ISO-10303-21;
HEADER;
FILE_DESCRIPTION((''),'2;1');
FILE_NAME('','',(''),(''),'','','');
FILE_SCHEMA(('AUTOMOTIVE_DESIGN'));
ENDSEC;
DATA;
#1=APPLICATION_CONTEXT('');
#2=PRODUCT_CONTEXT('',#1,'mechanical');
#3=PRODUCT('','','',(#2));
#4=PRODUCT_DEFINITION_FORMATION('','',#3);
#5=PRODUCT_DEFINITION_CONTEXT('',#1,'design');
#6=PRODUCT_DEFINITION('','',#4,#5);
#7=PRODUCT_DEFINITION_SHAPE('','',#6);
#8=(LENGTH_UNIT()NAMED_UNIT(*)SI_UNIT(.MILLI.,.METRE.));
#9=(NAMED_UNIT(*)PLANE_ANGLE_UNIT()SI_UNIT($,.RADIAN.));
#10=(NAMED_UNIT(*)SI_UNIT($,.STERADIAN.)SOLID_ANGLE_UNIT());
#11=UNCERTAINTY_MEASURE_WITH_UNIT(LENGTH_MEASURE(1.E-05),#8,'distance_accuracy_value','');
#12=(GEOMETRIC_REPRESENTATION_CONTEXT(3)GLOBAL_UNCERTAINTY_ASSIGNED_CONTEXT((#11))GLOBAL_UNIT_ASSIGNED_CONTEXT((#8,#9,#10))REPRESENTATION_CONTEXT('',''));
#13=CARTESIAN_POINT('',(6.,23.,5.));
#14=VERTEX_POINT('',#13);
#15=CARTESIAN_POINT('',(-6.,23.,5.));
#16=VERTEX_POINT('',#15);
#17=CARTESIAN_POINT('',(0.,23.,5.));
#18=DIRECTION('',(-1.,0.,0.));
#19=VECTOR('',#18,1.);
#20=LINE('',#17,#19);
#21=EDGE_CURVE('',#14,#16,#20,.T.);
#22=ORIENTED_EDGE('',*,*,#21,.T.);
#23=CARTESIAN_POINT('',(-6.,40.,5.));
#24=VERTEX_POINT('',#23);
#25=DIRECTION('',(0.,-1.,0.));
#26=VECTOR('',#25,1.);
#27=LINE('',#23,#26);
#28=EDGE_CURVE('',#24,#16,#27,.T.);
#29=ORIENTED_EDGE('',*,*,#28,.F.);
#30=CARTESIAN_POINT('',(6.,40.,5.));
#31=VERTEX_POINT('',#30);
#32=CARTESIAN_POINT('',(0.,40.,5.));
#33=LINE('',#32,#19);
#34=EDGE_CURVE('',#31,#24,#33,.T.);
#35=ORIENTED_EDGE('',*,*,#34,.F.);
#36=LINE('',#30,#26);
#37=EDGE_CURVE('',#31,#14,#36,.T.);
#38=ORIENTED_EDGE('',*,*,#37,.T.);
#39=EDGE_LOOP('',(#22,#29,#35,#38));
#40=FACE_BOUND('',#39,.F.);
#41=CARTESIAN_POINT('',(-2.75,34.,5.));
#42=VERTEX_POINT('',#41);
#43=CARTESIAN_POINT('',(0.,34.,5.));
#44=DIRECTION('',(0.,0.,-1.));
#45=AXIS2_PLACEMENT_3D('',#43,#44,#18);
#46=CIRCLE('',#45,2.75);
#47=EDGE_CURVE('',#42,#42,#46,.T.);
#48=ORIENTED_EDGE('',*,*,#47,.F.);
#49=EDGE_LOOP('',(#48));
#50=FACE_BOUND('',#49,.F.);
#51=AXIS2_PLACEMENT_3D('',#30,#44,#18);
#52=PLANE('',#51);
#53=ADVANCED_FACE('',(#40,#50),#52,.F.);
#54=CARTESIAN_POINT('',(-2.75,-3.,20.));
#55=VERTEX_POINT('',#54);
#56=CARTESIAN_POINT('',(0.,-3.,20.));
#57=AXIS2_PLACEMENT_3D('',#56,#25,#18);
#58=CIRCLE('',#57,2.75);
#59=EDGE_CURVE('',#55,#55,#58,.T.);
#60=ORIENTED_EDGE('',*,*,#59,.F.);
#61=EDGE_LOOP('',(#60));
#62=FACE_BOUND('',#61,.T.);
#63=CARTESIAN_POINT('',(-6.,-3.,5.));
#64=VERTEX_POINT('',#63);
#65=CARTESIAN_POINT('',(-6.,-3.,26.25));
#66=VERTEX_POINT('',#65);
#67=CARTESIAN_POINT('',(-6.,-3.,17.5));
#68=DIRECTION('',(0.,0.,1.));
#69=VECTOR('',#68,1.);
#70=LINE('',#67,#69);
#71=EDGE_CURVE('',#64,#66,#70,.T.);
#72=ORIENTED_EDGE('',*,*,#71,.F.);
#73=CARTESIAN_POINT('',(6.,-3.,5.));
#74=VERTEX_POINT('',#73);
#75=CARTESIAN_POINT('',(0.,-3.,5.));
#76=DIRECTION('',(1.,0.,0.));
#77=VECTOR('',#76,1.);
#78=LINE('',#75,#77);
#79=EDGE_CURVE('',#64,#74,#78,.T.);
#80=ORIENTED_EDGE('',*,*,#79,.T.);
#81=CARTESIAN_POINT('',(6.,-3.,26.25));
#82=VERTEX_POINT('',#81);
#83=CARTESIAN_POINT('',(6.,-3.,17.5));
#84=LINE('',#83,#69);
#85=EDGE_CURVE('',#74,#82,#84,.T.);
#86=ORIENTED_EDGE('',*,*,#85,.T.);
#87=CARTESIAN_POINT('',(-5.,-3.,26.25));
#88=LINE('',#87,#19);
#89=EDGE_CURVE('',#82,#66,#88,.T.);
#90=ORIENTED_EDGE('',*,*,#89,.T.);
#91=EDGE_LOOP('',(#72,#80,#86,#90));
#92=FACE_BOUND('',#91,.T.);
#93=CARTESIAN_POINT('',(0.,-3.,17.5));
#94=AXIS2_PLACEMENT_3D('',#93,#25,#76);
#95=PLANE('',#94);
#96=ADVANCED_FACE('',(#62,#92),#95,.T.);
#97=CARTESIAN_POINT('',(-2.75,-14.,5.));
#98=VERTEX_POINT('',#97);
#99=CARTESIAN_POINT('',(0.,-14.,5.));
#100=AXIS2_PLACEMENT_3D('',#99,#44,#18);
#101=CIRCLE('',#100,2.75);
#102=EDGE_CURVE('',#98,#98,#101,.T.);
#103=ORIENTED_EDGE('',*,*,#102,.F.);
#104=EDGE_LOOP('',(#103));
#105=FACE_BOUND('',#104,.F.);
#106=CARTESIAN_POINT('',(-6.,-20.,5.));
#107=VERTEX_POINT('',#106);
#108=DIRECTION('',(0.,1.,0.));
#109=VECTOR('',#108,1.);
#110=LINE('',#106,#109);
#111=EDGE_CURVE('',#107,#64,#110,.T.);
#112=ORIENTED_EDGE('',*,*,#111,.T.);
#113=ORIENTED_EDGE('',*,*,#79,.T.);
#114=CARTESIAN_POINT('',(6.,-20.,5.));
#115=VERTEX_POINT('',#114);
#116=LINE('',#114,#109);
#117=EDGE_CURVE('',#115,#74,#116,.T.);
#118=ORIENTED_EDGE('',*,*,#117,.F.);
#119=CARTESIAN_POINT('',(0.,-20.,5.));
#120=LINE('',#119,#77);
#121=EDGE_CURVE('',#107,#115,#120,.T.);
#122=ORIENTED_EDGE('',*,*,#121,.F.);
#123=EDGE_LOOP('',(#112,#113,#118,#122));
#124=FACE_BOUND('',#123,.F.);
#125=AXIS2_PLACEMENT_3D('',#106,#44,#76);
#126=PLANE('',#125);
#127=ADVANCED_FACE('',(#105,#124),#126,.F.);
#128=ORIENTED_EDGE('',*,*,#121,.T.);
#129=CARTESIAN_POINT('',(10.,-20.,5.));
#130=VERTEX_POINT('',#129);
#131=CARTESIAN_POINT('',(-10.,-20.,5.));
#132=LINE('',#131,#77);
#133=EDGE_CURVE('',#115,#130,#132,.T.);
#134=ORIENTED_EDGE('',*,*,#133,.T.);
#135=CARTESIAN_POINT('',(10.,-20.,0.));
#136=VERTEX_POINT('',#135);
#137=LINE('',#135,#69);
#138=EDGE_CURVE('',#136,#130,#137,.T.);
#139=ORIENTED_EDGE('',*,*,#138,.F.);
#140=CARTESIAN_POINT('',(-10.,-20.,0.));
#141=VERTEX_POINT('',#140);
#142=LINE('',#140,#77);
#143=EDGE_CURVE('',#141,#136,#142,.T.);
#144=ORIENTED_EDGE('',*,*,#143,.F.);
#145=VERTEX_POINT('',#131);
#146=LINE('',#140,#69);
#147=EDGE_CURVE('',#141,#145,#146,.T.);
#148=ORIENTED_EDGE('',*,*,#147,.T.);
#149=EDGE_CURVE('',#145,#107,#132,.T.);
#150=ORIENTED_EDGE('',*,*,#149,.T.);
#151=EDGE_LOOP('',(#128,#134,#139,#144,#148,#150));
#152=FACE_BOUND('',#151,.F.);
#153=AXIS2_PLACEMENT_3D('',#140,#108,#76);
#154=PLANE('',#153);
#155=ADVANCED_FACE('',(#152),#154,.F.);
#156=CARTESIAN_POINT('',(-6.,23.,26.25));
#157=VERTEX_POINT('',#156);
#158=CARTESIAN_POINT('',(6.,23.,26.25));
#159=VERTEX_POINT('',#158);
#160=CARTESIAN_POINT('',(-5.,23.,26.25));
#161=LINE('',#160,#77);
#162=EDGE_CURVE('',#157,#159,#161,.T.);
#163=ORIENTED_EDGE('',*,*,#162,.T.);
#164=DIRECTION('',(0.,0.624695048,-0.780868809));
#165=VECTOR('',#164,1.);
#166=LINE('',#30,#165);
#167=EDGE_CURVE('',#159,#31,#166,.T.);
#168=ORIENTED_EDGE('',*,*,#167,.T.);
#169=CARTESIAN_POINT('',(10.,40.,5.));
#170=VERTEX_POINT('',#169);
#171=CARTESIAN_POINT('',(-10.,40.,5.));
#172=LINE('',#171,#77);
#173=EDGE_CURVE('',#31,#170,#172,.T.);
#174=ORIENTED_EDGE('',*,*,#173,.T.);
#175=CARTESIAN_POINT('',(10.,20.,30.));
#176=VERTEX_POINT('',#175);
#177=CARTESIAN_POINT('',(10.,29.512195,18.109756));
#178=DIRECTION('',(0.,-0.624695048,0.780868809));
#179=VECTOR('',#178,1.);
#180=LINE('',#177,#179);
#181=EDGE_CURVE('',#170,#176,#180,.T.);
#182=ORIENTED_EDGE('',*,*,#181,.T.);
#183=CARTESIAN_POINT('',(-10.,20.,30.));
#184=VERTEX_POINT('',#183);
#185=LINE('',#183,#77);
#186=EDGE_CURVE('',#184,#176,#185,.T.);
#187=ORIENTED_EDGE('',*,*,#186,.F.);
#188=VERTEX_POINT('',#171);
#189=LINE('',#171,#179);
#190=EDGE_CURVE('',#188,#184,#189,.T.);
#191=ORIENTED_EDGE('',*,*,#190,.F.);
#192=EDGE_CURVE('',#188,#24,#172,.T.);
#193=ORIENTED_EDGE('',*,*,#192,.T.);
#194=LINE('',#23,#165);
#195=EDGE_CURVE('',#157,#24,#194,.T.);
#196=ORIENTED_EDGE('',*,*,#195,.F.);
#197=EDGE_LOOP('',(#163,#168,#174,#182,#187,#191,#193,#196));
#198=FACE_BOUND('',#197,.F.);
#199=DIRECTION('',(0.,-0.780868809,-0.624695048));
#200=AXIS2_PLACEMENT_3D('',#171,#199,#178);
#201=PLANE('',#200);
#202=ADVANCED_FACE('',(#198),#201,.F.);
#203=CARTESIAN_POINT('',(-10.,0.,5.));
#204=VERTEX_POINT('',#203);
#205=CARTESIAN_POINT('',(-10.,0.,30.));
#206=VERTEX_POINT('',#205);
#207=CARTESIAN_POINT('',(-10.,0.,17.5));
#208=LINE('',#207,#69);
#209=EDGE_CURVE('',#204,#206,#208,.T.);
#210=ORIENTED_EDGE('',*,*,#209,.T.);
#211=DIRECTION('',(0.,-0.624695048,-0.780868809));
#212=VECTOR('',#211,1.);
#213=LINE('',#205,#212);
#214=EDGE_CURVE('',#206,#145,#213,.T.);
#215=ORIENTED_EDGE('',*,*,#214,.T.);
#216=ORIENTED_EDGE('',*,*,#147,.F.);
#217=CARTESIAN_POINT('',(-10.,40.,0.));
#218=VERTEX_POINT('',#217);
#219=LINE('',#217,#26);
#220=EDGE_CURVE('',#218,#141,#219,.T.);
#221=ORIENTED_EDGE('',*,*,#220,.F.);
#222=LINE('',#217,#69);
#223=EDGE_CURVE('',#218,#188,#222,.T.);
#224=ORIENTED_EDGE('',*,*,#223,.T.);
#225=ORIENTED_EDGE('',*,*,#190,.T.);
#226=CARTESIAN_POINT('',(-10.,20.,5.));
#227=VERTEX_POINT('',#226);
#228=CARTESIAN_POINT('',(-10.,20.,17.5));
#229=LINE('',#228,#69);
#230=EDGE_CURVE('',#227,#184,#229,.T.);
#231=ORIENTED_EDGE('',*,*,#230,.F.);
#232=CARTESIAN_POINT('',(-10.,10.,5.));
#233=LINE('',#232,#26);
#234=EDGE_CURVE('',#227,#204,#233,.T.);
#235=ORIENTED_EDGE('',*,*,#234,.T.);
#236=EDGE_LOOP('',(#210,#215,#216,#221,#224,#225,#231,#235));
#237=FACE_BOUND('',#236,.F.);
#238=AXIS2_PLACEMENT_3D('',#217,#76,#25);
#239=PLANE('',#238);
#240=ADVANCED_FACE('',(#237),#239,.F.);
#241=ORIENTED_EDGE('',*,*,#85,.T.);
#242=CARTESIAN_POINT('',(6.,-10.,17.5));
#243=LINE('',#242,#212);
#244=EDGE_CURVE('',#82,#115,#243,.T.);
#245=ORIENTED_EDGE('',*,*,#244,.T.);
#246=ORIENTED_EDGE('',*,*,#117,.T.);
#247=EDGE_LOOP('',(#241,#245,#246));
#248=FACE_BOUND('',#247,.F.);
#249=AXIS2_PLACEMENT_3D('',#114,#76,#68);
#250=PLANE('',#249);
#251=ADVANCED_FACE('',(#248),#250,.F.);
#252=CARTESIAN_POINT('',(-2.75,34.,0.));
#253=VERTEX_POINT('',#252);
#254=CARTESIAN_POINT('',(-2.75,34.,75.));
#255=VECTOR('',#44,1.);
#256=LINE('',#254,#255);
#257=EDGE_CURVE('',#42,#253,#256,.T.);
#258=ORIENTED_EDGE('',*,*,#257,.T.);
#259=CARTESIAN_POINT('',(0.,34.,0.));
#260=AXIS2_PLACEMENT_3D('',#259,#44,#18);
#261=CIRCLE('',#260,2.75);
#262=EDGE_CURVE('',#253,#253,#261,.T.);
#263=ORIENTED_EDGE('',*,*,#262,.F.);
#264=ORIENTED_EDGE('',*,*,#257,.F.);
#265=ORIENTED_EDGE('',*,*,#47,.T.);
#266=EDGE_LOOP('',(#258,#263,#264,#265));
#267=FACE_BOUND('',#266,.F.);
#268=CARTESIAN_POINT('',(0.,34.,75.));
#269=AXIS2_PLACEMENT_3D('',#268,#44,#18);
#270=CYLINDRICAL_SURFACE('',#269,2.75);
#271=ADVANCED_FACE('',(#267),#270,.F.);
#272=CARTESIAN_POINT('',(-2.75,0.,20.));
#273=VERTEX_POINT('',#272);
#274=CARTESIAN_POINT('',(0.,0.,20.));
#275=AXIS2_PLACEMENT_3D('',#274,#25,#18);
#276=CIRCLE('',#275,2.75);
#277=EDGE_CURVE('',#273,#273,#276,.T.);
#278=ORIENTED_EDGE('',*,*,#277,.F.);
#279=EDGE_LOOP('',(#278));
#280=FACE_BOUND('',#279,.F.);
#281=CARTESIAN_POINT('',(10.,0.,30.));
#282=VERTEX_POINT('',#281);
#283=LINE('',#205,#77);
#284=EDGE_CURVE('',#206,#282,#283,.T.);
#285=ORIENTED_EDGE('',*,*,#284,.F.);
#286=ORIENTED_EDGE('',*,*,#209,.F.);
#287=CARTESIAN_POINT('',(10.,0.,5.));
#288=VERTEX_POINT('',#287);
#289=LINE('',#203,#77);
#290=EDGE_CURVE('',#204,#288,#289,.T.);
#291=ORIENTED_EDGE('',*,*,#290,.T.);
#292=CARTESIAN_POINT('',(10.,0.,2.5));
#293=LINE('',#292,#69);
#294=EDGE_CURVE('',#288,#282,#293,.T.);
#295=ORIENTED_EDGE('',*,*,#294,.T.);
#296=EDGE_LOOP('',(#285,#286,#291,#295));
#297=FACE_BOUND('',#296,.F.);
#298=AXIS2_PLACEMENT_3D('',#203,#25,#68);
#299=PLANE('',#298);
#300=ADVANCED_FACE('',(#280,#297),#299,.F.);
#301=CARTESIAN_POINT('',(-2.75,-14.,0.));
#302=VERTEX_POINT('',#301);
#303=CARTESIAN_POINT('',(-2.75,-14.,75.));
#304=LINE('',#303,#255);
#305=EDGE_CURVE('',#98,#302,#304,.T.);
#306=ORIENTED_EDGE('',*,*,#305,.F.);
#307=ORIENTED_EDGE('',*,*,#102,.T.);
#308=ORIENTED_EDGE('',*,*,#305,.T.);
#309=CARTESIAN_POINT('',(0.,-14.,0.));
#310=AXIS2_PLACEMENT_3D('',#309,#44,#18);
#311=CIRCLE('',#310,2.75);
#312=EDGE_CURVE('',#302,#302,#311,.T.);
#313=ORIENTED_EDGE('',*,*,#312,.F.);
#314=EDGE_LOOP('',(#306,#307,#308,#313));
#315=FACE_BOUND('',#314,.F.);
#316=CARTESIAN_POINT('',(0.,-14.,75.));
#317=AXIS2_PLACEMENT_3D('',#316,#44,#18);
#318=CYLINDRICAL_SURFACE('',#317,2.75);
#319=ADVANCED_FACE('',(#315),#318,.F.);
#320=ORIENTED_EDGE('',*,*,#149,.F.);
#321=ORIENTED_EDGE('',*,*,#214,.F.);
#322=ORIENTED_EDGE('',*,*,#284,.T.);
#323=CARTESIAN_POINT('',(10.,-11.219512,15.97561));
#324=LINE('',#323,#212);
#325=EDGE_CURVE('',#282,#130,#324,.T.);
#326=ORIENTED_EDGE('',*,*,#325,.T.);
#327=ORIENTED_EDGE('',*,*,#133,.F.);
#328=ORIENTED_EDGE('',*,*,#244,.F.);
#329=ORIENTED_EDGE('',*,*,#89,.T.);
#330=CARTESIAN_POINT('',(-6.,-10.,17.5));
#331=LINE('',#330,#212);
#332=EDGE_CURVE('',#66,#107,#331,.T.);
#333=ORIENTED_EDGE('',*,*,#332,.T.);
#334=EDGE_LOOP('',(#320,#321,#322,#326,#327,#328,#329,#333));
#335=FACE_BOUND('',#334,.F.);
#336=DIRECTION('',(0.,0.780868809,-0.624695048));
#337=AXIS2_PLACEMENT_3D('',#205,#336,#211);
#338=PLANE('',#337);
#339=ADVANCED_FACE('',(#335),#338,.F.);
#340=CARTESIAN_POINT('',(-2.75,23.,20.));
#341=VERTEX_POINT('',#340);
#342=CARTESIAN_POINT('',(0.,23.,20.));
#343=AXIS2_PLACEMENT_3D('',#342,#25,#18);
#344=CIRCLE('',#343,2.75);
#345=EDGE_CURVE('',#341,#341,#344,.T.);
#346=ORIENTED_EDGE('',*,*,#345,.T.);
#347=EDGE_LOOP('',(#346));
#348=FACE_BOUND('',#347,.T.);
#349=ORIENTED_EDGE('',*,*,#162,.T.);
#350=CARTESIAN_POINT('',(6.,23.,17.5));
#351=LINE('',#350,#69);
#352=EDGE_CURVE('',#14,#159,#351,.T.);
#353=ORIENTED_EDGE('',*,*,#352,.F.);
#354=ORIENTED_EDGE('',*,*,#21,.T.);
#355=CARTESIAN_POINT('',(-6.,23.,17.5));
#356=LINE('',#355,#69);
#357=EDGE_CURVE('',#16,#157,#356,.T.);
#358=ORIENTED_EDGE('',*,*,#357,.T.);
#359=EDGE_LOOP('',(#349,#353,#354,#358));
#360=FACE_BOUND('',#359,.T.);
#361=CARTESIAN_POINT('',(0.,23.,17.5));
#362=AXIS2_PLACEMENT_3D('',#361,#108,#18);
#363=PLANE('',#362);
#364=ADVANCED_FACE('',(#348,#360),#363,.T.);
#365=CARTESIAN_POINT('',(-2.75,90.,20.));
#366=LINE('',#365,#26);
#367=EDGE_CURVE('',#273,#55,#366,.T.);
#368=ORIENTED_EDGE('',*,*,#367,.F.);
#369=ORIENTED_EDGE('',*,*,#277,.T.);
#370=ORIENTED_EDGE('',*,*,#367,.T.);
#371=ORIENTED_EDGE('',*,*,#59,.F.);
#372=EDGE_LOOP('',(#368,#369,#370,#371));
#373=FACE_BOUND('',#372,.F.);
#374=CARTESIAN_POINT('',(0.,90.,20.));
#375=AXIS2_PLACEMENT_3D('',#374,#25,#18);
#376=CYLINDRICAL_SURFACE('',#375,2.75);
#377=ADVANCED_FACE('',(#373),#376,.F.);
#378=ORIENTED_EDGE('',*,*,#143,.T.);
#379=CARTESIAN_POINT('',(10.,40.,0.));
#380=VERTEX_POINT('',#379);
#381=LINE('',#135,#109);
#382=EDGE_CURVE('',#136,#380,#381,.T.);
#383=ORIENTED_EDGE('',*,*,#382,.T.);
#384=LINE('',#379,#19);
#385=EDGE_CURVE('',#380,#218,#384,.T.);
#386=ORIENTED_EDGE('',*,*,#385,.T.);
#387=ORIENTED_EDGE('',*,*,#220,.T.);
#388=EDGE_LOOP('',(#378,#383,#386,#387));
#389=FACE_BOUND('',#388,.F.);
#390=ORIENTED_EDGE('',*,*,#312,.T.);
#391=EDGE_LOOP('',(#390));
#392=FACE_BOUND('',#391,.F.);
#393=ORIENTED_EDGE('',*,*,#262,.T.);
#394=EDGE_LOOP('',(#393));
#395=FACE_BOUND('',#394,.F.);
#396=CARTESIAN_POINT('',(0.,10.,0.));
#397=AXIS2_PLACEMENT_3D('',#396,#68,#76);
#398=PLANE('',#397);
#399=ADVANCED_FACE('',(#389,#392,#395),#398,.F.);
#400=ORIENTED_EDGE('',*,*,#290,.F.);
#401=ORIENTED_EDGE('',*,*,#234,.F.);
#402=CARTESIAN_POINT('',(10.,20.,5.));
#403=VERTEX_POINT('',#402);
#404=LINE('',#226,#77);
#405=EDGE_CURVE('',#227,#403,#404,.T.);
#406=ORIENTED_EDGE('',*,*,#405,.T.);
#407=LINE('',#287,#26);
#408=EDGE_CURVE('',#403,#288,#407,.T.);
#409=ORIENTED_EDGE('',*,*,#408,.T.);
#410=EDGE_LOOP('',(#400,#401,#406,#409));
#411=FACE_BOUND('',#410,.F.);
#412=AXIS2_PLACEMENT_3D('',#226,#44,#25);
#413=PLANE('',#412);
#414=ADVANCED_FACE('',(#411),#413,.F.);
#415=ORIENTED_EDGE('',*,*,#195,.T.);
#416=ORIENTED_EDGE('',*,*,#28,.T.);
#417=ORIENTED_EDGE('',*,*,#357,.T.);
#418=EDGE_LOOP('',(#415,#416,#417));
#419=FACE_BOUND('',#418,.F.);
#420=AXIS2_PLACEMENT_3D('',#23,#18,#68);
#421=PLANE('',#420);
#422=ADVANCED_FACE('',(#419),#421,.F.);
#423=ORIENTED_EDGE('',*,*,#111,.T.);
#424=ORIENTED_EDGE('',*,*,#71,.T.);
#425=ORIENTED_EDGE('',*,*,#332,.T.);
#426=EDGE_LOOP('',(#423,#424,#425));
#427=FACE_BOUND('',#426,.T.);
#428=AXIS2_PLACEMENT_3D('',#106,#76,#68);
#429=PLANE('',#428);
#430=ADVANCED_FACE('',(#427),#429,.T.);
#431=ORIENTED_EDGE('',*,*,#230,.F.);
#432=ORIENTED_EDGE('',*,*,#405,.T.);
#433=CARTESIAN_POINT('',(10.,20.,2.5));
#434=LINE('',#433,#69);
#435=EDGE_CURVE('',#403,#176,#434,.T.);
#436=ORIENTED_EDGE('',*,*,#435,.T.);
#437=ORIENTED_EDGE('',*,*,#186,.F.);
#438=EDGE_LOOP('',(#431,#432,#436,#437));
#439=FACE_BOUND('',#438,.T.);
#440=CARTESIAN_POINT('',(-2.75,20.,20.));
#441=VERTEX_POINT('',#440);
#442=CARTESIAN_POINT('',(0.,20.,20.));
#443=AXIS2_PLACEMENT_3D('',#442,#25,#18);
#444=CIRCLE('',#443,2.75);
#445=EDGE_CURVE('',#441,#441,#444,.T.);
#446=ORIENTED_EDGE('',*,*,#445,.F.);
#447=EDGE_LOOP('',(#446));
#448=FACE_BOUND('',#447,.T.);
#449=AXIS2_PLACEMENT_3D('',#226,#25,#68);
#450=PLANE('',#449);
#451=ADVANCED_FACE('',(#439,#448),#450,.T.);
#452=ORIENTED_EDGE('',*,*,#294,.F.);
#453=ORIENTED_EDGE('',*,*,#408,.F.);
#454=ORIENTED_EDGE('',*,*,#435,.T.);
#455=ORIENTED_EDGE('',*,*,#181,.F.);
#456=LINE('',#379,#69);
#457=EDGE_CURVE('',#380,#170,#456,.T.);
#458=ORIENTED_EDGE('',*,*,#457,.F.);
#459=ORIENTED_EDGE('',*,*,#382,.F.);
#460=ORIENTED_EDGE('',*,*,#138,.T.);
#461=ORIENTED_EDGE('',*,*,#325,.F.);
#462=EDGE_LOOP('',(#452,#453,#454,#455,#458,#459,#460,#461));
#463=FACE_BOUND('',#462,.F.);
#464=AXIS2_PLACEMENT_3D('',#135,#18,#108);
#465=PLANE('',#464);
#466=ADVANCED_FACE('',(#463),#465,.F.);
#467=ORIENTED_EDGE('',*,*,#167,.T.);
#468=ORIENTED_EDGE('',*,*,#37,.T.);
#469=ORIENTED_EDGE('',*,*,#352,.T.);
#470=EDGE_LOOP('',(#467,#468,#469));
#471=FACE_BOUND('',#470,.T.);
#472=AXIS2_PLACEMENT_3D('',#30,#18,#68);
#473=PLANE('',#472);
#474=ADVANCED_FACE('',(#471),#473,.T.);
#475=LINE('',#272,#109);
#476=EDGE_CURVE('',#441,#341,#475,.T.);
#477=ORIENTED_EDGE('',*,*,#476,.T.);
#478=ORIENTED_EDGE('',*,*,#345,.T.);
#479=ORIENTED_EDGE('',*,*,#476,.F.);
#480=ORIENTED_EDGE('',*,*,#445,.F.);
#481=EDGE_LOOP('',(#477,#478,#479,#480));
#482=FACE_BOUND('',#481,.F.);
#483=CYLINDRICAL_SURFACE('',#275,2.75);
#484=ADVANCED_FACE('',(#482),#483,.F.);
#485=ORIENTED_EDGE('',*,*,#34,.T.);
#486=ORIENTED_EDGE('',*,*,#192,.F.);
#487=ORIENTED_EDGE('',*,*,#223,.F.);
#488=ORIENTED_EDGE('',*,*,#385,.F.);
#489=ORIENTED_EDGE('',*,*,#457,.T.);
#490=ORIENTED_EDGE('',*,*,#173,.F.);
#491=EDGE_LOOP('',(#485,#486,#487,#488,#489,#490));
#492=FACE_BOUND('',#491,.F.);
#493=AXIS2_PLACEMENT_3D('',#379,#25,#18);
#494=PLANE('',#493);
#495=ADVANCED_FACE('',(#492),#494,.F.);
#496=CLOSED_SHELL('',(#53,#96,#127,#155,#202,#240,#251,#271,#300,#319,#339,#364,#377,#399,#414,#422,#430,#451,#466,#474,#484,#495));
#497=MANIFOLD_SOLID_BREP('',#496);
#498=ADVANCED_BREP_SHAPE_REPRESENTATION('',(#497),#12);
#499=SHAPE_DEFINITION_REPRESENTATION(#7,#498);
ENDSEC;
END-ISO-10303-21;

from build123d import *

# Parameters (mm, degrees)
F1_DEPTH  = 30
F2_W      = 20
F2_H      = 25
F3_DEPTH  = 25
F5_W      = 12
F5_H      = 25
F6_DEPTH  = 17
F7_D      = 5.5
F7_DEPTH  = 40.001
F9_D      = 5.5
F10_W     = 12
F10_H     = 25
F11_DEPTH = 17
F13_D     = 5.5


with BuildPart() as f1:
    # F0 (on Top) → F1 (new body)
    with BuildSketch(Plane.XY):
        Polygon((-10, 20), (-10, 0), (-10, -20), (10, -20), (10, 0), (10, 20), (10, 40), (-10, 40), align=None)
    extrude(amount=F1_DEPTH)

    # F2 (on face) → F3 (cut)
    with BuildSketch(Plane(origin=(-10, 0, 0), x_dir=(0, -1, 0), z_dir=(-1, 0, 0))):
        Polygon((-40, 5), (-20, 30), (-40, 30), align=None)
        with Locations((-10, 17.5)):
            Rectangle(F2_W, F2_H)
        Polygon((20, 30), (0, 30), (20, 5), align=None)
    extrude(amount=-F3_DEPTH, mode=Mode.SUBTRACT)

    # F5 (on face) → F6 (cut)
    with BuildSketch(Plane(origin=(0, 40, 0), x_dir=(-1, 0, 0), z_dir=(0, 1, 0))):
        with Locations((0, 17.5)):
            Rectangle(F5_W, F5_H)
    extrude(amount=-F6_DEPTH, mode=Mode.SUBTRACT)

    # F7 (through all, one way)
    with BuildSketch(Plane(origin=(0, 0, 0), x_dir=(-1, 0, 0), z_dir=(0, -1, 0))):
        with Locations((0, -20)):
            Circle(F7_D / 2)
    extrude(amount=-F7_DEPTH, mode=Mode.SUBTRACT)

    # F9 (through all)
    with Locations(Plane(origin=(0, 20, 0), x_dir=(1, 0, 0), z_dir=(0, 1, 0))):
        with Locations((0, -20)):
            Hole(F9_D / 2)

    # F10 (on face) → F11 (cut)
    with BuildSketch(Plane.XZ.offset(20)):
        with Locations((0, 17.5)):
            Rectangle(F10_W, F10_H)
    extrude(amount=-F11_DEPTH, mode=Mode.SUBTRACT)

    # F13 (through all)
    with Locations(Plane.XY.offset(5)):
        with Locations((0, 34), (0, -14)):
            Hole(F13_D / 2)


solid = f1.part
